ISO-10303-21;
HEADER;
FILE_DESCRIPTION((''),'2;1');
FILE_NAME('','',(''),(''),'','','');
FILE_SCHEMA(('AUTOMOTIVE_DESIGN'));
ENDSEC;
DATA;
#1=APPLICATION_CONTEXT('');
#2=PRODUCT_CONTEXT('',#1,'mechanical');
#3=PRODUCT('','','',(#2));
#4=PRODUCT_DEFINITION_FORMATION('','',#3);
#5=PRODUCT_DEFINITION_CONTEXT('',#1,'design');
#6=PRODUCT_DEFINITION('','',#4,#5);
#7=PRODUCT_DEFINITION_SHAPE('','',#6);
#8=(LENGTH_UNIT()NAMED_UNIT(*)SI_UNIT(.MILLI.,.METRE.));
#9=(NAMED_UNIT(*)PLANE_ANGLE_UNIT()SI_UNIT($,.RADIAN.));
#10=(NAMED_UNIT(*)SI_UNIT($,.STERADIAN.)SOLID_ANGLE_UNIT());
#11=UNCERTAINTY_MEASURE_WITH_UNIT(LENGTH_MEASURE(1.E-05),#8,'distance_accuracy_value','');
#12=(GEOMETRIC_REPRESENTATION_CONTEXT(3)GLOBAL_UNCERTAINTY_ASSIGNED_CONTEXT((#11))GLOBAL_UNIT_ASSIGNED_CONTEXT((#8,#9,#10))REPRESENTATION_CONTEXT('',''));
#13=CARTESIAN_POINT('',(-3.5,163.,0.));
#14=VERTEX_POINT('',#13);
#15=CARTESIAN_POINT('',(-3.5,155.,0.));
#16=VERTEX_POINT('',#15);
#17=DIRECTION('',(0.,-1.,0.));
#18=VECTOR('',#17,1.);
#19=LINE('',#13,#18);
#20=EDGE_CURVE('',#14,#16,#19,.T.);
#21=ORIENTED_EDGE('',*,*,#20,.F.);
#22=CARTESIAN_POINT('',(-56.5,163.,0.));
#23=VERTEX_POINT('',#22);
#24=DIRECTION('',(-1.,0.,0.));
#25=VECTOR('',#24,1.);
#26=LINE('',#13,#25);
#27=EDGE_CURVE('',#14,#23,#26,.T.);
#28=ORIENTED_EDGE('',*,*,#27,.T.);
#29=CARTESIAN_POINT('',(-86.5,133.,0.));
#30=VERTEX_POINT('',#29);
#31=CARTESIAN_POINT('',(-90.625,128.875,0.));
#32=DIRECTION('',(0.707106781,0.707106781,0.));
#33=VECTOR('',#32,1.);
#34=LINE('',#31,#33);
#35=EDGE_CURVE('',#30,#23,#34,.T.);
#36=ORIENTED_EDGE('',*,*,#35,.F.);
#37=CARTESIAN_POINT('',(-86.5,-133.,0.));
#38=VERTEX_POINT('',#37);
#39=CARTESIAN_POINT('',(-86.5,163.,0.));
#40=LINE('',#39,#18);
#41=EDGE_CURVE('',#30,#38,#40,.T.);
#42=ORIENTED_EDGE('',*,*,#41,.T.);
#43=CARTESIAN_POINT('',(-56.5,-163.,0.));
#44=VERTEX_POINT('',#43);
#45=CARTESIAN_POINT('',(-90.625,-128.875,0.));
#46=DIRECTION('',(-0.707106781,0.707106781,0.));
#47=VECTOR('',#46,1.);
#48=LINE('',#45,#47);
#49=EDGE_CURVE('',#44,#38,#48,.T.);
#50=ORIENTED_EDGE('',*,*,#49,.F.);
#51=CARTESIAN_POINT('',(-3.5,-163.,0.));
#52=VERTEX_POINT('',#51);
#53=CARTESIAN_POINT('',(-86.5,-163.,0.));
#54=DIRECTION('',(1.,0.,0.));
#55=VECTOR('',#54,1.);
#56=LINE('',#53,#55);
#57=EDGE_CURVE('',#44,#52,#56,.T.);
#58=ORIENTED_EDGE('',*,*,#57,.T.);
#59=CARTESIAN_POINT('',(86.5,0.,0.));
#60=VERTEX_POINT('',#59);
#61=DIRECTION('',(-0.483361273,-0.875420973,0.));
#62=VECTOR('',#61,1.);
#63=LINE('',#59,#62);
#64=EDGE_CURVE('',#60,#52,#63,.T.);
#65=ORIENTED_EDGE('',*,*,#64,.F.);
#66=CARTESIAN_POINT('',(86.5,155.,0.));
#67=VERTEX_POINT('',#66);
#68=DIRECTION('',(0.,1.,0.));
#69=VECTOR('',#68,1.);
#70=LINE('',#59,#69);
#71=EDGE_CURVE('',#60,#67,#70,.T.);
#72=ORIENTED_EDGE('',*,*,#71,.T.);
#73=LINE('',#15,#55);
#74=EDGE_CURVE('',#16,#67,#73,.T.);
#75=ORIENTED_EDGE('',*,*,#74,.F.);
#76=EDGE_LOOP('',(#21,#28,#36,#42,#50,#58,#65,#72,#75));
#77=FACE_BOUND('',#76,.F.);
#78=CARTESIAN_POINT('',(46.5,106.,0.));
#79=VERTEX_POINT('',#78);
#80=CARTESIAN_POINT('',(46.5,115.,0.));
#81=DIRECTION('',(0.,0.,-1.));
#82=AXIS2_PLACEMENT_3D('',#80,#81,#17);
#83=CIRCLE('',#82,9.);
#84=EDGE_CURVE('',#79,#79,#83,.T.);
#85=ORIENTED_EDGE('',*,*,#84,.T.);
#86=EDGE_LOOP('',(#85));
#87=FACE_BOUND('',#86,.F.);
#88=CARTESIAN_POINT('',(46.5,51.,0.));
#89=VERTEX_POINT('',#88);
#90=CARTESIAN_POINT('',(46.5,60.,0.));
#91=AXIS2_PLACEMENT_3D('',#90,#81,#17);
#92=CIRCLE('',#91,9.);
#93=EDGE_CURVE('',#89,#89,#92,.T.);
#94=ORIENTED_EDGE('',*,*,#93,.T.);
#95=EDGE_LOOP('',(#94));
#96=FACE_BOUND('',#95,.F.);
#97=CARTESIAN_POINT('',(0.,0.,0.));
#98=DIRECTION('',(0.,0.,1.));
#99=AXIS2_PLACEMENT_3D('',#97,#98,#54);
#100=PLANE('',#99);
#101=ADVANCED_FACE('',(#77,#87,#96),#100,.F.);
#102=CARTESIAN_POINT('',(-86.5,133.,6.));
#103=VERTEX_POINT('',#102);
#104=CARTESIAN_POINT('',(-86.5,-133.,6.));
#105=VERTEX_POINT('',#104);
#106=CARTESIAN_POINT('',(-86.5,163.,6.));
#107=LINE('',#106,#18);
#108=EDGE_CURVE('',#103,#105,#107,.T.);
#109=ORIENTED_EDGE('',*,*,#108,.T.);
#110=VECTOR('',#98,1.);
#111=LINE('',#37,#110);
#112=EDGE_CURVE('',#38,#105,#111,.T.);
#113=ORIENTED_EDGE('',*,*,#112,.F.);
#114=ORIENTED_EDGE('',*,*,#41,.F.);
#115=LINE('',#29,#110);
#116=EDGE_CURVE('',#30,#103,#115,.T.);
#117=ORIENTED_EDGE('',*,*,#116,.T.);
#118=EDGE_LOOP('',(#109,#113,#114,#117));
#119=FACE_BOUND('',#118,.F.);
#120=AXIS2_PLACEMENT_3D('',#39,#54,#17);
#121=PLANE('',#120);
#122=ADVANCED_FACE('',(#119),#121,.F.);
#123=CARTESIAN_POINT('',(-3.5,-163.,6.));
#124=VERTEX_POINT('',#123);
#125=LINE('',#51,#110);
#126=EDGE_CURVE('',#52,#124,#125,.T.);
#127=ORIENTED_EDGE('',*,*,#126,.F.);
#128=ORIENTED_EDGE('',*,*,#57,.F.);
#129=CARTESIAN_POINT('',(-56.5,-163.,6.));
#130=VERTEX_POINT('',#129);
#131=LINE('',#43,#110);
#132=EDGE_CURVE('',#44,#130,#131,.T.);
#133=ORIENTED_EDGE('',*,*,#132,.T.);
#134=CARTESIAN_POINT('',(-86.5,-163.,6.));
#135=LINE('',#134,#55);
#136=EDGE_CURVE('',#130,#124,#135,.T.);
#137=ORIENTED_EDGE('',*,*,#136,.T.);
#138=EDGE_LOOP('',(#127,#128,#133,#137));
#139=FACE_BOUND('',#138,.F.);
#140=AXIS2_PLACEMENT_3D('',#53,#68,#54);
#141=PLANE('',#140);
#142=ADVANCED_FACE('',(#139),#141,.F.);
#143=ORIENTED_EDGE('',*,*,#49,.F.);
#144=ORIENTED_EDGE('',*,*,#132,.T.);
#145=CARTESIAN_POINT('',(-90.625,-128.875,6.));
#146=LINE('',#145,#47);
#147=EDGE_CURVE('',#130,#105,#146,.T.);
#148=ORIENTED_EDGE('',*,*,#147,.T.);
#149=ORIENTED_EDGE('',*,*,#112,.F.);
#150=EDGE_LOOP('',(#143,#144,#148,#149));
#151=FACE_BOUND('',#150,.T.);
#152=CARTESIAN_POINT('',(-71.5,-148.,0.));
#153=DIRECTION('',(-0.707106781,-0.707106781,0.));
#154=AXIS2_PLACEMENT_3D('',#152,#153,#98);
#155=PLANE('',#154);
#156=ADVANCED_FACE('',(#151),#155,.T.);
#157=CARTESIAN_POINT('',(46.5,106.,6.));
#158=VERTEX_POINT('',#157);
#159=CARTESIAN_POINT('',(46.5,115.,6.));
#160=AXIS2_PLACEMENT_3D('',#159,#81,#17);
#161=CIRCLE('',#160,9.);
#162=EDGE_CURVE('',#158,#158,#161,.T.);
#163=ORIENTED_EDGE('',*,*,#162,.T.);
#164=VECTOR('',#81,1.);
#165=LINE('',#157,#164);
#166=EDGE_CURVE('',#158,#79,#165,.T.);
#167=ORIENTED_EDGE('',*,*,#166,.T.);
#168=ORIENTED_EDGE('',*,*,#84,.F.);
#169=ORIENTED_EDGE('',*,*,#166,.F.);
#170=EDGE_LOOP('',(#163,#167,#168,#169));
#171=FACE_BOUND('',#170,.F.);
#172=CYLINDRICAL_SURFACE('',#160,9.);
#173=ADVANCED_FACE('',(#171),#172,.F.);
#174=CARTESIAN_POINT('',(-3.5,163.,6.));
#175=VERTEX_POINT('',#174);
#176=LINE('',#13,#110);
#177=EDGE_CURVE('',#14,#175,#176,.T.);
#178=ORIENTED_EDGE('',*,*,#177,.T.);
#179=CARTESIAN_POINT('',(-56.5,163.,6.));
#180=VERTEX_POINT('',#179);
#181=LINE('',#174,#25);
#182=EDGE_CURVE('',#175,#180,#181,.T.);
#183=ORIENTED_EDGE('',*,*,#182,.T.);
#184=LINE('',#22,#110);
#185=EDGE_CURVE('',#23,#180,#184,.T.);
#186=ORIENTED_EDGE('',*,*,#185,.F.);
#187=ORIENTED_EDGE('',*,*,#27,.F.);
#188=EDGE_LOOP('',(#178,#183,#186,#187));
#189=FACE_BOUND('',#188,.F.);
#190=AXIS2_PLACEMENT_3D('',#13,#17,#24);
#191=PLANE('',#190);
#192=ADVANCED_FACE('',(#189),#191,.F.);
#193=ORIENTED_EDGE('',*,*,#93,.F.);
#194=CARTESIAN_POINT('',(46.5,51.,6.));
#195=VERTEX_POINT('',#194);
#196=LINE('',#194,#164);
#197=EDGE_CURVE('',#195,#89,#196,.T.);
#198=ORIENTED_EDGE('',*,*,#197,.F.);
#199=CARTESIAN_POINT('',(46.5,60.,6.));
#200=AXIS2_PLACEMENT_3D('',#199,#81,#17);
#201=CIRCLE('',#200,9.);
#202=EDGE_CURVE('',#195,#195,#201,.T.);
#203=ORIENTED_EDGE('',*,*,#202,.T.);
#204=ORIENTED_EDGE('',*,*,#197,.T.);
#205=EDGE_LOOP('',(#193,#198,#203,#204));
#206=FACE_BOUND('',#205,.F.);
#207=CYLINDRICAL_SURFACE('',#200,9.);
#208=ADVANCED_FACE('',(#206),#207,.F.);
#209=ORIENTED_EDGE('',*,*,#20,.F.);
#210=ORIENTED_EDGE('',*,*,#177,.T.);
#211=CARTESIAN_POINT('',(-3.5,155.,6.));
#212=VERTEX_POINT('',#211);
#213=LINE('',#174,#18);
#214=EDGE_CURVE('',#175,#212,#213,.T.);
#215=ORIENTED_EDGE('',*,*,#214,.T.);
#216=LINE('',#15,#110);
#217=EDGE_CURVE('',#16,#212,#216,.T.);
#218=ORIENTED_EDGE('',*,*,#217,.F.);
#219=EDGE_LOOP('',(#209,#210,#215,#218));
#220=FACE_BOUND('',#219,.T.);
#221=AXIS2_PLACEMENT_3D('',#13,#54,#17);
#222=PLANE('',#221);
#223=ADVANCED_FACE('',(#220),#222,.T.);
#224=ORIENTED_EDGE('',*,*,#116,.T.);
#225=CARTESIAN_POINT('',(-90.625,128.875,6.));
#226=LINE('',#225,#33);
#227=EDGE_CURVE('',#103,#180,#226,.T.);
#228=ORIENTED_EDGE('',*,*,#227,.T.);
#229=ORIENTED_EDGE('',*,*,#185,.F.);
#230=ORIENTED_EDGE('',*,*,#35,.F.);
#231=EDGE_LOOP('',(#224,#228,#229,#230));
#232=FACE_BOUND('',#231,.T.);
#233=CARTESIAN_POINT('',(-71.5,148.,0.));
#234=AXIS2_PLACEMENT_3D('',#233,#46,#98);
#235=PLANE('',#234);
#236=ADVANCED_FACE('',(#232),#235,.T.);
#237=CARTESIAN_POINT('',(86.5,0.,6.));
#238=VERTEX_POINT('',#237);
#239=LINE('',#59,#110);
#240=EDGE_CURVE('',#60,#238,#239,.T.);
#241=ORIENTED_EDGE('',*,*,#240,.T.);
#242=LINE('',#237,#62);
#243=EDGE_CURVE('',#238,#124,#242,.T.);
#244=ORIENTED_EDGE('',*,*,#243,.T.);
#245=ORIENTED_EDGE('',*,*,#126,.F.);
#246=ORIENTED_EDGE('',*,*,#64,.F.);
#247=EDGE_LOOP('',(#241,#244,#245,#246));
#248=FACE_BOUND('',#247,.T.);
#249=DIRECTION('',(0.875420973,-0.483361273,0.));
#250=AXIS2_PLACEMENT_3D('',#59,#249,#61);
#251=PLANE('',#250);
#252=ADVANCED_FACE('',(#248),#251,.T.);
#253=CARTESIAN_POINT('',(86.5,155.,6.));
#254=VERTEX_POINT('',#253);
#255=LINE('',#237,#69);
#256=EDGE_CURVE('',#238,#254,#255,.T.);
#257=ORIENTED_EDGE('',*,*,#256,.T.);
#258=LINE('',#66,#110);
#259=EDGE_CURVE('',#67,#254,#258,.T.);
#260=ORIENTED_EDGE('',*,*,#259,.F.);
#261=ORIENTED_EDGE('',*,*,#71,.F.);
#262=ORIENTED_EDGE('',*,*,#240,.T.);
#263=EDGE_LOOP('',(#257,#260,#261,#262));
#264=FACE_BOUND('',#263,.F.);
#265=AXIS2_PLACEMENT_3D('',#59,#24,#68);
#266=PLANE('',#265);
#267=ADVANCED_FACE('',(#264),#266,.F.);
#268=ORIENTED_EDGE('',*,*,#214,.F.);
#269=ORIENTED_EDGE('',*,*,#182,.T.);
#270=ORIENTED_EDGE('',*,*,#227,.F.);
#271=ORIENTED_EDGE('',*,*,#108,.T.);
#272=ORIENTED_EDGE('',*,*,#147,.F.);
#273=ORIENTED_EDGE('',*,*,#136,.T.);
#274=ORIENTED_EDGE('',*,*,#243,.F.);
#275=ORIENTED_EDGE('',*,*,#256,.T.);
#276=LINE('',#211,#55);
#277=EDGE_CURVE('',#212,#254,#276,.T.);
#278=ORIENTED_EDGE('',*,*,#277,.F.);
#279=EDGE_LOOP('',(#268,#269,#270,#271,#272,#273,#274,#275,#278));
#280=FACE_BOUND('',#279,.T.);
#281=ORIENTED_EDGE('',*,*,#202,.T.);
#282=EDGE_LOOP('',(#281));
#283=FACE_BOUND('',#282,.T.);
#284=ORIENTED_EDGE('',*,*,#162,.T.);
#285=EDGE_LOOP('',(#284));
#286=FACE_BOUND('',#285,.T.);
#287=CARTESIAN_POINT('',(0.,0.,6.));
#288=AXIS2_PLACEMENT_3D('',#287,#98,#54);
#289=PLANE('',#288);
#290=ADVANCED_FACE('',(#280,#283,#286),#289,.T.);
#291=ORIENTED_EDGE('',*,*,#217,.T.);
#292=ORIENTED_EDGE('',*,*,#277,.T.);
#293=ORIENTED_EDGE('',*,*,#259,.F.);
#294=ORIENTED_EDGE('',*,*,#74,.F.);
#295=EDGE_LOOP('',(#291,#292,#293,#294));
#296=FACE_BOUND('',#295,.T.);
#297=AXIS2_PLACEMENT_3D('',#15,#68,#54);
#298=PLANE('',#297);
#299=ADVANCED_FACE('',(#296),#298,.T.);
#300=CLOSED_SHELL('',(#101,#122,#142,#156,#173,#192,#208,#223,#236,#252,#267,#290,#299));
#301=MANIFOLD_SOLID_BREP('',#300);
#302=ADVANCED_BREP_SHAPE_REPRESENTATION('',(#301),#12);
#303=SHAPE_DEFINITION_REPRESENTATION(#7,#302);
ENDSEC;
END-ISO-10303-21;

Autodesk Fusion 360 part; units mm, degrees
sketch "スケッチ1" plane through (0, 0, 0) normal (0, 0, 1) x (1, 0, 0)
  line L0 (-3.5, 163) -> (-86.5, 163)
  line L1 (-86.5, 163) -> (-86.5, -163)
  line L2 (-86.5, -163) -> (-3.5, -163)
  line L3 (86.5, 0) -> (86.5, 155)
  line L4 (82.2546, 155) -> (-86.5, -163) construction
  line L5 (-86.5, 163) -> (42.3924, -79.8839) construction
  line L6 (-3.5, 163) -> (-3.5, 155)
  line L7 (-3.5, 155) -> (86.5, 155)
  line L8 (-86.5, -163) -> (-3.5, -163) construction
  line L9 (86.5, 0) -> (-3.5, -163)
  dimension "d2" = 326
  dimension "d5" = 83
extrude "押し出し1" add sketch "スケッチ1" along normal blind 6
chamfer "面取り1" distance 30 angle 45 2 edges at (-86.5, -163, 3) (-86.5, 163, 3)
sketch "スケッチ2" plane through (0, 0, 6) normal (0, 0, 1) x (-1, 0, 0)
  line L0 (56.5, -163) -> (86.5, -133)
  line L1 (86.5, -133) -> (86.5, 133)
  line L2 (86.5, 133) -> (56.5, 163)
  line L3 (56.5, 163) -> (3.5, 163)
  line L4 (3.5, 163) -> (-86.5, 0)
  line L5 (-86.5, 0) -> (-86.5, -155)
  line L6 (-86.5, -155) -> (3.5, -155)
  line L7 (3.5, -155) -> (3.5, -163)
  line L8 (3.5, -163) -> (56.5, -163)
  line L9 (-86.5, -155) -> (-46.5, -155) construction
  line L10 (-46.5, -155) -> (-46.5, -115) construction
  line L11 (-46.5, -115) -> (-86.5, -115) construction
  line L12 (-86.5, -115) -> (-86.5, -155) construction
  line L13 (-46.5, -115) -> (-46.5, -60) construction
  point P0 (-46.5, -115)
  dimension "d10" = 40
  dimension "d11" = 40
  dimension "d12" = 55
hole "穴1" at (46.5, 115, 6) at (46.5, 60, 6) direction (0, 0, -1) diameter 18 end through all
equation "d5 = 30 mm + 53 mm"
